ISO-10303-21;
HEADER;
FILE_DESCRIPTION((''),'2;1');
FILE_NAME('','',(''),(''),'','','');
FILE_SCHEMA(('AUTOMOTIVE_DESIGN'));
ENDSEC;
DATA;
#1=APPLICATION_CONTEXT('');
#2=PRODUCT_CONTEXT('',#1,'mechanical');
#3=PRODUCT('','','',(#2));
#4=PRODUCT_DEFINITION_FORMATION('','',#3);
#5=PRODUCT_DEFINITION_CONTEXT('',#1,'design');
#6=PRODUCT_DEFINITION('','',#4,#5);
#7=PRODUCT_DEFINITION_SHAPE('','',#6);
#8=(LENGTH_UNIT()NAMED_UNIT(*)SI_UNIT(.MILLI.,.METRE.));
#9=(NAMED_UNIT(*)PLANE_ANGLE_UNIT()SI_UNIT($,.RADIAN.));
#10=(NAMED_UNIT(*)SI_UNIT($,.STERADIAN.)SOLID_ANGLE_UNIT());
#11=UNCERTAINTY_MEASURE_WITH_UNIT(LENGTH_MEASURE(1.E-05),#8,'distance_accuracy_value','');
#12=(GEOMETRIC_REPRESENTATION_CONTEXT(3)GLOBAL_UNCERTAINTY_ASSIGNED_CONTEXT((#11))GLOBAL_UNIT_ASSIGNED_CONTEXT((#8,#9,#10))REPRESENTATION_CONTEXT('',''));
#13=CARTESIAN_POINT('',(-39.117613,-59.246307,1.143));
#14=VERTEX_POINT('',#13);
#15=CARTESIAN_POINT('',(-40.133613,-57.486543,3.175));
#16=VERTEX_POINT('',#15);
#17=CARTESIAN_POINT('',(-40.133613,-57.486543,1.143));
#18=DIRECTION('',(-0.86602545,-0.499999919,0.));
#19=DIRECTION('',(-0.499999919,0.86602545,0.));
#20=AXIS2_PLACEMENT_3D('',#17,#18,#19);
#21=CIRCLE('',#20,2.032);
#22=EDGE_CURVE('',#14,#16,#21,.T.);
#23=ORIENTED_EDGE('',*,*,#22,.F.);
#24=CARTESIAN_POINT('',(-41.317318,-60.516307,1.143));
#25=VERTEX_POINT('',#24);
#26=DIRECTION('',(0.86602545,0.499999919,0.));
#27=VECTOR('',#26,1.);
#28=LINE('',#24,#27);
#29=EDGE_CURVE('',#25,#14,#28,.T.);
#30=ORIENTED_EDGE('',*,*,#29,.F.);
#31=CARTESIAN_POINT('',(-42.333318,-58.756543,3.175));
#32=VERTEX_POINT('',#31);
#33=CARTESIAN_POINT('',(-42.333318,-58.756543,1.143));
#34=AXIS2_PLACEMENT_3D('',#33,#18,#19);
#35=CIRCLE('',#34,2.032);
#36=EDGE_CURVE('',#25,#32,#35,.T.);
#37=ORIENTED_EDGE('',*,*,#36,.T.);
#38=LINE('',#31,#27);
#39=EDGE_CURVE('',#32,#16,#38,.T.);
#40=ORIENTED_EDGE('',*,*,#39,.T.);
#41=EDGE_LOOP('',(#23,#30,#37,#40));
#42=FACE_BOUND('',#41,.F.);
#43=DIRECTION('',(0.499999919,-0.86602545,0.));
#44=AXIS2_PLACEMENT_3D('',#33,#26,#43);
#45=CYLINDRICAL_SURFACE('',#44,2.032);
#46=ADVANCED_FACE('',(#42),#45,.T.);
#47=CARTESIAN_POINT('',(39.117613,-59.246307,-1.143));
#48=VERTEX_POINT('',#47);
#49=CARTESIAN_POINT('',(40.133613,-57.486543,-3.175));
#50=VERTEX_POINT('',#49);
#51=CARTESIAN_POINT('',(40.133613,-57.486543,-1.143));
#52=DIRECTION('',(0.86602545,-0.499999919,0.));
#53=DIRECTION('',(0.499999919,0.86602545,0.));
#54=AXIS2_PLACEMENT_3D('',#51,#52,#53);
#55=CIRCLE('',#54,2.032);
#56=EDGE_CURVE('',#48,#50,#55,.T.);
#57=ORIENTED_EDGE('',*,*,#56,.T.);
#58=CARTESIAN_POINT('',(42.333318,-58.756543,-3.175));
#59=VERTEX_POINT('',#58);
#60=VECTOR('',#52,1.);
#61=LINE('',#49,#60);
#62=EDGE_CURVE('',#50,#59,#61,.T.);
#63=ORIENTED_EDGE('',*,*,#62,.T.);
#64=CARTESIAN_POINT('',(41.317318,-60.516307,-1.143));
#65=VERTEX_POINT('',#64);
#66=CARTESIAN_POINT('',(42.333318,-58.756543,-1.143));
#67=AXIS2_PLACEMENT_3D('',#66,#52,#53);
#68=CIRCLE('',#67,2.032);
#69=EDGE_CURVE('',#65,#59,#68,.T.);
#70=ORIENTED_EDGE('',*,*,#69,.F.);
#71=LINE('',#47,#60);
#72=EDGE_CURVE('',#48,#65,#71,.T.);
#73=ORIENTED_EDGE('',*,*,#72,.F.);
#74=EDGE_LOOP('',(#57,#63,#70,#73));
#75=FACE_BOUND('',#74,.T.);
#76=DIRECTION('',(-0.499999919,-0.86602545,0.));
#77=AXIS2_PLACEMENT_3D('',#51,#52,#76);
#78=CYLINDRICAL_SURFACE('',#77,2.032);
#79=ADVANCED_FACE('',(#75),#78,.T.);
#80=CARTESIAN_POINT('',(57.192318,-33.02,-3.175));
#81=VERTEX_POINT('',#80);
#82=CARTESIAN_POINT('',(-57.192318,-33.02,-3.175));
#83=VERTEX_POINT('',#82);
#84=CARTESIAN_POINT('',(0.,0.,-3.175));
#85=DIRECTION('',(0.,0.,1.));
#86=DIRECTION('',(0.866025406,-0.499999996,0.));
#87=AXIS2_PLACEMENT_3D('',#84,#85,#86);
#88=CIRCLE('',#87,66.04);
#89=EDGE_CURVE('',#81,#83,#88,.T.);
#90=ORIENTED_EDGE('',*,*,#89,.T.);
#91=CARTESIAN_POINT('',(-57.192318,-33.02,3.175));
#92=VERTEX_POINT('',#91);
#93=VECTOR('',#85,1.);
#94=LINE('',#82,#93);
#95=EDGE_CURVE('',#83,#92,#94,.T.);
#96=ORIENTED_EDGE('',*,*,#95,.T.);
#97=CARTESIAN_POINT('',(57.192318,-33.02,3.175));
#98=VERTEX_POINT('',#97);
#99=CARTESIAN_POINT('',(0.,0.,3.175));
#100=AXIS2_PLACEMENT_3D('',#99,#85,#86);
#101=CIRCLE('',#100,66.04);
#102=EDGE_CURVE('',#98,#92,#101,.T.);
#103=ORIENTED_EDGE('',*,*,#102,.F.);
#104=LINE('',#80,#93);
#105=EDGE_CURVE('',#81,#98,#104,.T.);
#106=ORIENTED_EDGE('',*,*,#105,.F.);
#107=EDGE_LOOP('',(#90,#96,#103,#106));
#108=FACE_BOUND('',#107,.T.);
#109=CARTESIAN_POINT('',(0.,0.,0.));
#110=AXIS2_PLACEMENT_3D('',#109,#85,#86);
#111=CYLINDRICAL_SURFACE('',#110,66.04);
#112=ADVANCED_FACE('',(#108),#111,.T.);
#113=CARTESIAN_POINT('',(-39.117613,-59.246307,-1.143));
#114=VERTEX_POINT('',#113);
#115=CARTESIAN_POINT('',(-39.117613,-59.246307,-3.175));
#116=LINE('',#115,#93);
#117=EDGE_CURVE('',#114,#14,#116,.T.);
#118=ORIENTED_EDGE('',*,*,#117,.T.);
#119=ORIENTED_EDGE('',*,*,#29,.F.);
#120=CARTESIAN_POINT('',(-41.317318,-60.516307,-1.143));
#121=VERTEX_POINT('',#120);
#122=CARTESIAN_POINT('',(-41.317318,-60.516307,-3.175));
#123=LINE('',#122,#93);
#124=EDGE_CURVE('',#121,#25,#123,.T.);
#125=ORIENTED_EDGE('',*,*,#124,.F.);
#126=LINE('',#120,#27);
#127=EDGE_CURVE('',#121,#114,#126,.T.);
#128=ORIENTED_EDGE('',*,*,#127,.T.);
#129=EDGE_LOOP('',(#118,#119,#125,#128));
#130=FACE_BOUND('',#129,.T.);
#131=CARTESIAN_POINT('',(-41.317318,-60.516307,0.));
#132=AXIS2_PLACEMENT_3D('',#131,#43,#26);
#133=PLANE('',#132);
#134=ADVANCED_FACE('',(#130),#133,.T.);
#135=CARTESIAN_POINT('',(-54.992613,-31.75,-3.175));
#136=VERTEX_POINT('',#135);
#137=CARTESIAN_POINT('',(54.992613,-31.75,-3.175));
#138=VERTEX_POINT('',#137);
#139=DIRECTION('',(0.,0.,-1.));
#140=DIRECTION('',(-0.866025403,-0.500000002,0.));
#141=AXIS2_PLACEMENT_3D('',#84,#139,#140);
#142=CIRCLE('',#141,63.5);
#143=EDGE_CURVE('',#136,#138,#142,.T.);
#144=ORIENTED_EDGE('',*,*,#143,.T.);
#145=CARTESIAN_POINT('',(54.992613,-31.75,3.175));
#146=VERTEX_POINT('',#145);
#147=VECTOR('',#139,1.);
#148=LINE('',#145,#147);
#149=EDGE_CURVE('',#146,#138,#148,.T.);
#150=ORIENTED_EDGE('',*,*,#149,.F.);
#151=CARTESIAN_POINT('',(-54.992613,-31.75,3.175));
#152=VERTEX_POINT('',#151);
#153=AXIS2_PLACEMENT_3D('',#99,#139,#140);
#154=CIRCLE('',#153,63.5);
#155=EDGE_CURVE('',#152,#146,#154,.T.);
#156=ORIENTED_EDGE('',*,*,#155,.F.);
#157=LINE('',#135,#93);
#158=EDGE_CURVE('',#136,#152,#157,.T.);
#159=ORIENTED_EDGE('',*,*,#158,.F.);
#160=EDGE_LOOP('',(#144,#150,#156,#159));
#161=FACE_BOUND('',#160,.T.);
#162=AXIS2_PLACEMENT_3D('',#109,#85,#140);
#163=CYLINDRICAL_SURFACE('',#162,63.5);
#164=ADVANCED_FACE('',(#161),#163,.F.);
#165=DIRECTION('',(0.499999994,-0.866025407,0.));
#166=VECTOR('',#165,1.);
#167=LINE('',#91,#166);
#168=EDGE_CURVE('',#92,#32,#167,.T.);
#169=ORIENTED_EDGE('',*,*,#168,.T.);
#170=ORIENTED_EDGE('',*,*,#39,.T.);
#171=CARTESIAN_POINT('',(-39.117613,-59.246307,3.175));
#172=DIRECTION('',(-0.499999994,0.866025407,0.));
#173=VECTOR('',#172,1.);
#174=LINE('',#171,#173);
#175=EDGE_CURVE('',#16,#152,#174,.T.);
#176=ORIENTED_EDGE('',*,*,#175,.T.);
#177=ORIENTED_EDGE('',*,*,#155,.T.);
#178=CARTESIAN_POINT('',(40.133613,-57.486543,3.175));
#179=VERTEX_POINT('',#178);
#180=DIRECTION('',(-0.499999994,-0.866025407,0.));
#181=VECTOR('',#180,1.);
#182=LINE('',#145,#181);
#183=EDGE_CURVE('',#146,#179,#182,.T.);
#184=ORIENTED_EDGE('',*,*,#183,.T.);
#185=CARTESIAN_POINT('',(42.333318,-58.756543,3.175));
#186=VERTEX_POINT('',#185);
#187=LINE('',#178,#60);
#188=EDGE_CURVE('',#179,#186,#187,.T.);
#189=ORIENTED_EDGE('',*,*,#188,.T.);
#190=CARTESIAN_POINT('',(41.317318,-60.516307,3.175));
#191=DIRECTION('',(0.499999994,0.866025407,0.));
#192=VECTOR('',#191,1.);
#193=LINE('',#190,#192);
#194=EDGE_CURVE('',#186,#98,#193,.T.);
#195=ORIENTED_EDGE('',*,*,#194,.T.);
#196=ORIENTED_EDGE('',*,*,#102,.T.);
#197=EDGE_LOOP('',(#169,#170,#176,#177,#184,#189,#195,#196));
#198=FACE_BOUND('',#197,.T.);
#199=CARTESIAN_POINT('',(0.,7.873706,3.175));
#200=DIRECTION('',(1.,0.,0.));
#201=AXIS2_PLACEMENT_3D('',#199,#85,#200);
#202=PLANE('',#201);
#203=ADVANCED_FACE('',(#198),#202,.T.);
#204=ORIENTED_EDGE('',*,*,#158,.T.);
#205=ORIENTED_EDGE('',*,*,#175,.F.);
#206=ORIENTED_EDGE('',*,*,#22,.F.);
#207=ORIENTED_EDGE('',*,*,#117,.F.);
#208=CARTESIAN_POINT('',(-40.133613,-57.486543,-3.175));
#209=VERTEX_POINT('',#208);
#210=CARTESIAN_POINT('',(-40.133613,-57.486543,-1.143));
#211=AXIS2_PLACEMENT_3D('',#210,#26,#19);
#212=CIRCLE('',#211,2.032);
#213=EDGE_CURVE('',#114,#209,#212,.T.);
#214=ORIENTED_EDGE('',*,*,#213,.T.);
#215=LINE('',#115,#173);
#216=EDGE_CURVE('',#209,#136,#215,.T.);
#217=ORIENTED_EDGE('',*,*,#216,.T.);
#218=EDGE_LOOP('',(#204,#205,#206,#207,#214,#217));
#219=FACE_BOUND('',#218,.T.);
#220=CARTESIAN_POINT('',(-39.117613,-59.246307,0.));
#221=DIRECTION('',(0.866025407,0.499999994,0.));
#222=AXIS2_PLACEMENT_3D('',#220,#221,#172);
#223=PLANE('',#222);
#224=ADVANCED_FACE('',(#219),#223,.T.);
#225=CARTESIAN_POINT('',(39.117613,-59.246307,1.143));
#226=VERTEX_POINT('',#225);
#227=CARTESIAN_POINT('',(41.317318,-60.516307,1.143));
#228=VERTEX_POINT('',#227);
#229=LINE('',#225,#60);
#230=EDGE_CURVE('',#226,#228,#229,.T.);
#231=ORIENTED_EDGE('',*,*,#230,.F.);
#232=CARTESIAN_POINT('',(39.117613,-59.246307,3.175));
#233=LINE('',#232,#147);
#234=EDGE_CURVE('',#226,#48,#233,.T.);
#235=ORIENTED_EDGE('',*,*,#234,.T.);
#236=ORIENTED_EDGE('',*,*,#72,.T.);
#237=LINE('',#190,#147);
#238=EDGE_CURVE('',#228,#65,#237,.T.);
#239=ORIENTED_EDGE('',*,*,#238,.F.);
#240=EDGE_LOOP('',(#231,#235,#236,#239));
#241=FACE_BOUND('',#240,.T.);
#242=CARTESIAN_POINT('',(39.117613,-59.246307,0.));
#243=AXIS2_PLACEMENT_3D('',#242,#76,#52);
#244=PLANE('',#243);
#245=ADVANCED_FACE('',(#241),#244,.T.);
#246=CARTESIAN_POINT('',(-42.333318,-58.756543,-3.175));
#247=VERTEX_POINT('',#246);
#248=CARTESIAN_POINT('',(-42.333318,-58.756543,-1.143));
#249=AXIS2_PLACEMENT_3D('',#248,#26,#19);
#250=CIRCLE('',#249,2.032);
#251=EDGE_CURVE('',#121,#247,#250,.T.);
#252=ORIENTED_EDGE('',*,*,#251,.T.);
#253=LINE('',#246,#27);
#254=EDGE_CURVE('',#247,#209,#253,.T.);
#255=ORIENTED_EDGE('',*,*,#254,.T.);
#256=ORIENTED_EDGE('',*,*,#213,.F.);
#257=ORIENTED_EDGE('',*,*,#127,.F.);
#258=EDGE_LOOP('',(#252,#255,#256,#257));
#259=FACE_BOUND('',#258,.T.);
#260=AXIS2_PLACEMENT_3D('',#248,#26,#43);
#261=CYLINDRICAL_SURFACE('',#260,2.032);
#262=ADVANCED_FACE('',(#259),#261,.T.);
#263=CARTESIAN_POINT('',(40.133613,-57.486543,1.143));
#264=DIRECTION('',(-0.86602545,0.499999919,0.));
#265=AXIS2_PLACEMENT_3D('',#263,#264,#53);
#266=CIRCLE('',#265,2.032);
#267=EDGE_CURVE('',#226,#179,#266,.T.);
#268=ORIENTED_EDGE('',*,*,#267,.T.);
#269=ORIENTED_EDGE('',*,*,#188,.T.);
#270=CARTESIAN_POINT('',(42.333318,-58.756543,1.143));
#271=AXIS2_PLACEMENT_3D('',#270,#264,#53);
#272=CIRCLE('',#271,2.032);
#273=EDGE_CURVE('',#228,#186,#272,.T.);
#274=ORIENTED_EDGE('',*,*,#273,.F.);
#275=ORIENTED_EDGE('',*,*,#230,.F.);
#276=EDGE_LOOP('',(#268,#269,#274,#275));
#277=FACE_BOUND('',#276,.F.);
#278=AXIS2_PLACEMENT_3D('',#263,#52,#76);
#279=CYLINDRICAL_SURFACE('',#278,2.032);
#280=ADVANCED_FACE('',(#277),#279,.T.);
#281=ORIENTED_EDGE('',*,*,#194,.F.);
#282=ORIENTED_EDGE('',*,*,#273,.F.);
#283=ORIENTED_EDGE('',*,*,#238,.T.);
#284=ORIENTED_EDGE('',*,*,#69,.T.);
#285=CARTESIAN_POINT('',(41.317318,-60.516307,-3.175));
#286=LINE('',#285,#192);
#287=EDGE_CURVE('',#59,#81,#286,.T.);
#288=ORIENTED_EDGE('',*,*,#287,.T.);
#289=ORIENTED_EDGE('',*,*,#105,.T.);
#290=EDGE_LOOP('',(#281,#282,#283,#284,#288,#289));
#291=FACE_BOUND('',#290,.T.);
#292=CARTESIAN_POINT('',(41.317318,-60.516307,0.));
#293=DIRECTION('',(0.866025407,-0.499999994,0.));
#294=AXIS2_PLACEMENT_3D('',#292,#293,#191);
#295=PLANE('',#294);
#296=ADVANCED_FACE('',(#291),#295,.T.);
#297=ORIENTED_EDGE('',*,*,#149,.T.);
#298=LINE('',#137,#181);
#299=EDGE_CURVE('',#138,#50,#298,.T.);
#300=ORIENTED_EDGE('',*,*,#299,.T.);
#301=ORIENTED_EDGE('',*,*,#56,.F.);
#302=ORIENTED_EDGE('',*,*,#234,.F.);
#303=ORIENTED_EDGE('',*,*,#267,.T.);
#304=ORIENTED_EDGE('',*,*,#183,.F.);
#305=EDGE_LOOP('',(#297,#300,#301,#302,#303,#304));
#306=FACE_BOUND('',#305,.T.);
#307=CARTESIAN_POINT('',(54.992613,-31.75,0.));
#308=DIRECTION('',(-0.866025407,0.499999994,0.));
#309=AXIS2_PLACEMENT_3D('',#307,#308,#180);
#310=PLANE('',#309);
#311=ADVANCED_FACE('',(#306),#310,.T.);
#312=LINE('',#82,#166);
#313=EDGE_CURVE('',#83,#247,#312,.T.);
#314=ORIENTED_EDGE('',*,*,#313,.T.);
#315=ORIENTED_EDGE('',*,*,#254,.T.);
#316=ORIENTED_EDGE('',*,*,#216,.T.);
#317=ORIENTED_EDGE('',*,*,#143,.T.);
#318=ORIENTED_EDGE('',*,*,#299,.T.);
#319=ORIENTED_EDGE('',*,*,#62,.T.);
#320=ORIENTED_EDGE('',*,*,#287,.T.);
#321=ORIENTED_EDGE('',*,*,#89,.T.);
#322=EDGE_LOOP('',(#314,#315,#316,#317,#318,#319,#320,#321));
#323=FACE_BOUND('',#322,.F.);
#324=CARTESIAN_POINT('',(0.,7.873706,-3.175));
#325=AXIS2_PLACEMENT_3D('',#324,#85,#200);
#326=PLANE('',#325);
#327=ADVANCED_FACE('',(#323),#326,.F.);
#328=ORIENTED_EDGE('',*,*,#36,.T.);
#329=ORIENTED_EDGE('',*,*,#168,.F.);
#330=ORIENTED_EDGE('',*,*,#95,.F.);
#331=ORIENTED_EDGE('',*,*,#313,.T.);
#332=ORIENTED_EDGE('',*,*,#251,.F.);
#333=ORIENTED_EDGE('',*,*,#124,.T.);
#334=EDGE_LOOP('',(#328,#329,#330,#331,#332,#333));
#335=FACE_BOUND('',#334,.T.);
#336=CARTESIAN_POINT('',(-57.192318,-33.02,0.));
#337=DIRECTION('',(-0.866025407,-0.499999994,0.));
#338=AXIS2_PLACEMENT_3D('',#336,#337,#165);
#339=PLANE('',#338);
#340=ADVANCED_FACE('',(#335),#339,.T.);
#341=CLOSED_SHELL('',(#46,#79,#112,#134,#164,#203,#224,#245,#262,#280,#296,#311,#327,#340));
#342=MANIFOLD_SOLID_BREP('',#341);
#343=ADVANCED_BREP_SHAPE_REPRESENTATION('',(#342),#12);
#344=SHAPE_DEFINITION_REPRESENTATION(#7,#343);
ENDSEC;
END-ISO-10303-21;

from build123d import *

# Parameters (mm, degrees)
F1_DEPTH = 3.175
F2_R     = 2.032


with BuildPart() as f1:
    # F0 (on Top) → F1 (new body, symmetric)
    with BuildSketch(Plane.XY):
        with BuildLine():
            Line((41.317318, -60.516307), (57.192318, -33.02))
            ThreePointArc((57.192318, -33.02), (0, 66.04), (-57.192318, -33.02))
            Line((-57.192318, -33.02), (-41.317318, -60.516307))
            Line((-41.317318, -60.516307), (-39.117613, -59.246307))
            Line((-39.117613, -59.246307), (-54.992613, -31.75))
            ThreePointArc((-54.992613, -31.75), (0, 63.5), (54.992613, -31.75))
            Line((54.992613, -31.75), (39.117613, -59.246307))
            Line((39.117613, -59.246307), (41.317318, -60.516307))
        make_face()
    extrude(amount=F1_DEPTH, both=True)

    # F2
    f2_edges = [f1.edges().sort_by_distance(p)[0] for p in [
        (40.217465, -59.881307, -3.175),
        (40.217465, -59.881307, 3.175),
        (-40.217465, -59.881307, 3.175),
        (-40.217465, -59.881307, -3.175),
    ]]
    fillet(f2_edges, radius=F2_R)


solid = f1.part
